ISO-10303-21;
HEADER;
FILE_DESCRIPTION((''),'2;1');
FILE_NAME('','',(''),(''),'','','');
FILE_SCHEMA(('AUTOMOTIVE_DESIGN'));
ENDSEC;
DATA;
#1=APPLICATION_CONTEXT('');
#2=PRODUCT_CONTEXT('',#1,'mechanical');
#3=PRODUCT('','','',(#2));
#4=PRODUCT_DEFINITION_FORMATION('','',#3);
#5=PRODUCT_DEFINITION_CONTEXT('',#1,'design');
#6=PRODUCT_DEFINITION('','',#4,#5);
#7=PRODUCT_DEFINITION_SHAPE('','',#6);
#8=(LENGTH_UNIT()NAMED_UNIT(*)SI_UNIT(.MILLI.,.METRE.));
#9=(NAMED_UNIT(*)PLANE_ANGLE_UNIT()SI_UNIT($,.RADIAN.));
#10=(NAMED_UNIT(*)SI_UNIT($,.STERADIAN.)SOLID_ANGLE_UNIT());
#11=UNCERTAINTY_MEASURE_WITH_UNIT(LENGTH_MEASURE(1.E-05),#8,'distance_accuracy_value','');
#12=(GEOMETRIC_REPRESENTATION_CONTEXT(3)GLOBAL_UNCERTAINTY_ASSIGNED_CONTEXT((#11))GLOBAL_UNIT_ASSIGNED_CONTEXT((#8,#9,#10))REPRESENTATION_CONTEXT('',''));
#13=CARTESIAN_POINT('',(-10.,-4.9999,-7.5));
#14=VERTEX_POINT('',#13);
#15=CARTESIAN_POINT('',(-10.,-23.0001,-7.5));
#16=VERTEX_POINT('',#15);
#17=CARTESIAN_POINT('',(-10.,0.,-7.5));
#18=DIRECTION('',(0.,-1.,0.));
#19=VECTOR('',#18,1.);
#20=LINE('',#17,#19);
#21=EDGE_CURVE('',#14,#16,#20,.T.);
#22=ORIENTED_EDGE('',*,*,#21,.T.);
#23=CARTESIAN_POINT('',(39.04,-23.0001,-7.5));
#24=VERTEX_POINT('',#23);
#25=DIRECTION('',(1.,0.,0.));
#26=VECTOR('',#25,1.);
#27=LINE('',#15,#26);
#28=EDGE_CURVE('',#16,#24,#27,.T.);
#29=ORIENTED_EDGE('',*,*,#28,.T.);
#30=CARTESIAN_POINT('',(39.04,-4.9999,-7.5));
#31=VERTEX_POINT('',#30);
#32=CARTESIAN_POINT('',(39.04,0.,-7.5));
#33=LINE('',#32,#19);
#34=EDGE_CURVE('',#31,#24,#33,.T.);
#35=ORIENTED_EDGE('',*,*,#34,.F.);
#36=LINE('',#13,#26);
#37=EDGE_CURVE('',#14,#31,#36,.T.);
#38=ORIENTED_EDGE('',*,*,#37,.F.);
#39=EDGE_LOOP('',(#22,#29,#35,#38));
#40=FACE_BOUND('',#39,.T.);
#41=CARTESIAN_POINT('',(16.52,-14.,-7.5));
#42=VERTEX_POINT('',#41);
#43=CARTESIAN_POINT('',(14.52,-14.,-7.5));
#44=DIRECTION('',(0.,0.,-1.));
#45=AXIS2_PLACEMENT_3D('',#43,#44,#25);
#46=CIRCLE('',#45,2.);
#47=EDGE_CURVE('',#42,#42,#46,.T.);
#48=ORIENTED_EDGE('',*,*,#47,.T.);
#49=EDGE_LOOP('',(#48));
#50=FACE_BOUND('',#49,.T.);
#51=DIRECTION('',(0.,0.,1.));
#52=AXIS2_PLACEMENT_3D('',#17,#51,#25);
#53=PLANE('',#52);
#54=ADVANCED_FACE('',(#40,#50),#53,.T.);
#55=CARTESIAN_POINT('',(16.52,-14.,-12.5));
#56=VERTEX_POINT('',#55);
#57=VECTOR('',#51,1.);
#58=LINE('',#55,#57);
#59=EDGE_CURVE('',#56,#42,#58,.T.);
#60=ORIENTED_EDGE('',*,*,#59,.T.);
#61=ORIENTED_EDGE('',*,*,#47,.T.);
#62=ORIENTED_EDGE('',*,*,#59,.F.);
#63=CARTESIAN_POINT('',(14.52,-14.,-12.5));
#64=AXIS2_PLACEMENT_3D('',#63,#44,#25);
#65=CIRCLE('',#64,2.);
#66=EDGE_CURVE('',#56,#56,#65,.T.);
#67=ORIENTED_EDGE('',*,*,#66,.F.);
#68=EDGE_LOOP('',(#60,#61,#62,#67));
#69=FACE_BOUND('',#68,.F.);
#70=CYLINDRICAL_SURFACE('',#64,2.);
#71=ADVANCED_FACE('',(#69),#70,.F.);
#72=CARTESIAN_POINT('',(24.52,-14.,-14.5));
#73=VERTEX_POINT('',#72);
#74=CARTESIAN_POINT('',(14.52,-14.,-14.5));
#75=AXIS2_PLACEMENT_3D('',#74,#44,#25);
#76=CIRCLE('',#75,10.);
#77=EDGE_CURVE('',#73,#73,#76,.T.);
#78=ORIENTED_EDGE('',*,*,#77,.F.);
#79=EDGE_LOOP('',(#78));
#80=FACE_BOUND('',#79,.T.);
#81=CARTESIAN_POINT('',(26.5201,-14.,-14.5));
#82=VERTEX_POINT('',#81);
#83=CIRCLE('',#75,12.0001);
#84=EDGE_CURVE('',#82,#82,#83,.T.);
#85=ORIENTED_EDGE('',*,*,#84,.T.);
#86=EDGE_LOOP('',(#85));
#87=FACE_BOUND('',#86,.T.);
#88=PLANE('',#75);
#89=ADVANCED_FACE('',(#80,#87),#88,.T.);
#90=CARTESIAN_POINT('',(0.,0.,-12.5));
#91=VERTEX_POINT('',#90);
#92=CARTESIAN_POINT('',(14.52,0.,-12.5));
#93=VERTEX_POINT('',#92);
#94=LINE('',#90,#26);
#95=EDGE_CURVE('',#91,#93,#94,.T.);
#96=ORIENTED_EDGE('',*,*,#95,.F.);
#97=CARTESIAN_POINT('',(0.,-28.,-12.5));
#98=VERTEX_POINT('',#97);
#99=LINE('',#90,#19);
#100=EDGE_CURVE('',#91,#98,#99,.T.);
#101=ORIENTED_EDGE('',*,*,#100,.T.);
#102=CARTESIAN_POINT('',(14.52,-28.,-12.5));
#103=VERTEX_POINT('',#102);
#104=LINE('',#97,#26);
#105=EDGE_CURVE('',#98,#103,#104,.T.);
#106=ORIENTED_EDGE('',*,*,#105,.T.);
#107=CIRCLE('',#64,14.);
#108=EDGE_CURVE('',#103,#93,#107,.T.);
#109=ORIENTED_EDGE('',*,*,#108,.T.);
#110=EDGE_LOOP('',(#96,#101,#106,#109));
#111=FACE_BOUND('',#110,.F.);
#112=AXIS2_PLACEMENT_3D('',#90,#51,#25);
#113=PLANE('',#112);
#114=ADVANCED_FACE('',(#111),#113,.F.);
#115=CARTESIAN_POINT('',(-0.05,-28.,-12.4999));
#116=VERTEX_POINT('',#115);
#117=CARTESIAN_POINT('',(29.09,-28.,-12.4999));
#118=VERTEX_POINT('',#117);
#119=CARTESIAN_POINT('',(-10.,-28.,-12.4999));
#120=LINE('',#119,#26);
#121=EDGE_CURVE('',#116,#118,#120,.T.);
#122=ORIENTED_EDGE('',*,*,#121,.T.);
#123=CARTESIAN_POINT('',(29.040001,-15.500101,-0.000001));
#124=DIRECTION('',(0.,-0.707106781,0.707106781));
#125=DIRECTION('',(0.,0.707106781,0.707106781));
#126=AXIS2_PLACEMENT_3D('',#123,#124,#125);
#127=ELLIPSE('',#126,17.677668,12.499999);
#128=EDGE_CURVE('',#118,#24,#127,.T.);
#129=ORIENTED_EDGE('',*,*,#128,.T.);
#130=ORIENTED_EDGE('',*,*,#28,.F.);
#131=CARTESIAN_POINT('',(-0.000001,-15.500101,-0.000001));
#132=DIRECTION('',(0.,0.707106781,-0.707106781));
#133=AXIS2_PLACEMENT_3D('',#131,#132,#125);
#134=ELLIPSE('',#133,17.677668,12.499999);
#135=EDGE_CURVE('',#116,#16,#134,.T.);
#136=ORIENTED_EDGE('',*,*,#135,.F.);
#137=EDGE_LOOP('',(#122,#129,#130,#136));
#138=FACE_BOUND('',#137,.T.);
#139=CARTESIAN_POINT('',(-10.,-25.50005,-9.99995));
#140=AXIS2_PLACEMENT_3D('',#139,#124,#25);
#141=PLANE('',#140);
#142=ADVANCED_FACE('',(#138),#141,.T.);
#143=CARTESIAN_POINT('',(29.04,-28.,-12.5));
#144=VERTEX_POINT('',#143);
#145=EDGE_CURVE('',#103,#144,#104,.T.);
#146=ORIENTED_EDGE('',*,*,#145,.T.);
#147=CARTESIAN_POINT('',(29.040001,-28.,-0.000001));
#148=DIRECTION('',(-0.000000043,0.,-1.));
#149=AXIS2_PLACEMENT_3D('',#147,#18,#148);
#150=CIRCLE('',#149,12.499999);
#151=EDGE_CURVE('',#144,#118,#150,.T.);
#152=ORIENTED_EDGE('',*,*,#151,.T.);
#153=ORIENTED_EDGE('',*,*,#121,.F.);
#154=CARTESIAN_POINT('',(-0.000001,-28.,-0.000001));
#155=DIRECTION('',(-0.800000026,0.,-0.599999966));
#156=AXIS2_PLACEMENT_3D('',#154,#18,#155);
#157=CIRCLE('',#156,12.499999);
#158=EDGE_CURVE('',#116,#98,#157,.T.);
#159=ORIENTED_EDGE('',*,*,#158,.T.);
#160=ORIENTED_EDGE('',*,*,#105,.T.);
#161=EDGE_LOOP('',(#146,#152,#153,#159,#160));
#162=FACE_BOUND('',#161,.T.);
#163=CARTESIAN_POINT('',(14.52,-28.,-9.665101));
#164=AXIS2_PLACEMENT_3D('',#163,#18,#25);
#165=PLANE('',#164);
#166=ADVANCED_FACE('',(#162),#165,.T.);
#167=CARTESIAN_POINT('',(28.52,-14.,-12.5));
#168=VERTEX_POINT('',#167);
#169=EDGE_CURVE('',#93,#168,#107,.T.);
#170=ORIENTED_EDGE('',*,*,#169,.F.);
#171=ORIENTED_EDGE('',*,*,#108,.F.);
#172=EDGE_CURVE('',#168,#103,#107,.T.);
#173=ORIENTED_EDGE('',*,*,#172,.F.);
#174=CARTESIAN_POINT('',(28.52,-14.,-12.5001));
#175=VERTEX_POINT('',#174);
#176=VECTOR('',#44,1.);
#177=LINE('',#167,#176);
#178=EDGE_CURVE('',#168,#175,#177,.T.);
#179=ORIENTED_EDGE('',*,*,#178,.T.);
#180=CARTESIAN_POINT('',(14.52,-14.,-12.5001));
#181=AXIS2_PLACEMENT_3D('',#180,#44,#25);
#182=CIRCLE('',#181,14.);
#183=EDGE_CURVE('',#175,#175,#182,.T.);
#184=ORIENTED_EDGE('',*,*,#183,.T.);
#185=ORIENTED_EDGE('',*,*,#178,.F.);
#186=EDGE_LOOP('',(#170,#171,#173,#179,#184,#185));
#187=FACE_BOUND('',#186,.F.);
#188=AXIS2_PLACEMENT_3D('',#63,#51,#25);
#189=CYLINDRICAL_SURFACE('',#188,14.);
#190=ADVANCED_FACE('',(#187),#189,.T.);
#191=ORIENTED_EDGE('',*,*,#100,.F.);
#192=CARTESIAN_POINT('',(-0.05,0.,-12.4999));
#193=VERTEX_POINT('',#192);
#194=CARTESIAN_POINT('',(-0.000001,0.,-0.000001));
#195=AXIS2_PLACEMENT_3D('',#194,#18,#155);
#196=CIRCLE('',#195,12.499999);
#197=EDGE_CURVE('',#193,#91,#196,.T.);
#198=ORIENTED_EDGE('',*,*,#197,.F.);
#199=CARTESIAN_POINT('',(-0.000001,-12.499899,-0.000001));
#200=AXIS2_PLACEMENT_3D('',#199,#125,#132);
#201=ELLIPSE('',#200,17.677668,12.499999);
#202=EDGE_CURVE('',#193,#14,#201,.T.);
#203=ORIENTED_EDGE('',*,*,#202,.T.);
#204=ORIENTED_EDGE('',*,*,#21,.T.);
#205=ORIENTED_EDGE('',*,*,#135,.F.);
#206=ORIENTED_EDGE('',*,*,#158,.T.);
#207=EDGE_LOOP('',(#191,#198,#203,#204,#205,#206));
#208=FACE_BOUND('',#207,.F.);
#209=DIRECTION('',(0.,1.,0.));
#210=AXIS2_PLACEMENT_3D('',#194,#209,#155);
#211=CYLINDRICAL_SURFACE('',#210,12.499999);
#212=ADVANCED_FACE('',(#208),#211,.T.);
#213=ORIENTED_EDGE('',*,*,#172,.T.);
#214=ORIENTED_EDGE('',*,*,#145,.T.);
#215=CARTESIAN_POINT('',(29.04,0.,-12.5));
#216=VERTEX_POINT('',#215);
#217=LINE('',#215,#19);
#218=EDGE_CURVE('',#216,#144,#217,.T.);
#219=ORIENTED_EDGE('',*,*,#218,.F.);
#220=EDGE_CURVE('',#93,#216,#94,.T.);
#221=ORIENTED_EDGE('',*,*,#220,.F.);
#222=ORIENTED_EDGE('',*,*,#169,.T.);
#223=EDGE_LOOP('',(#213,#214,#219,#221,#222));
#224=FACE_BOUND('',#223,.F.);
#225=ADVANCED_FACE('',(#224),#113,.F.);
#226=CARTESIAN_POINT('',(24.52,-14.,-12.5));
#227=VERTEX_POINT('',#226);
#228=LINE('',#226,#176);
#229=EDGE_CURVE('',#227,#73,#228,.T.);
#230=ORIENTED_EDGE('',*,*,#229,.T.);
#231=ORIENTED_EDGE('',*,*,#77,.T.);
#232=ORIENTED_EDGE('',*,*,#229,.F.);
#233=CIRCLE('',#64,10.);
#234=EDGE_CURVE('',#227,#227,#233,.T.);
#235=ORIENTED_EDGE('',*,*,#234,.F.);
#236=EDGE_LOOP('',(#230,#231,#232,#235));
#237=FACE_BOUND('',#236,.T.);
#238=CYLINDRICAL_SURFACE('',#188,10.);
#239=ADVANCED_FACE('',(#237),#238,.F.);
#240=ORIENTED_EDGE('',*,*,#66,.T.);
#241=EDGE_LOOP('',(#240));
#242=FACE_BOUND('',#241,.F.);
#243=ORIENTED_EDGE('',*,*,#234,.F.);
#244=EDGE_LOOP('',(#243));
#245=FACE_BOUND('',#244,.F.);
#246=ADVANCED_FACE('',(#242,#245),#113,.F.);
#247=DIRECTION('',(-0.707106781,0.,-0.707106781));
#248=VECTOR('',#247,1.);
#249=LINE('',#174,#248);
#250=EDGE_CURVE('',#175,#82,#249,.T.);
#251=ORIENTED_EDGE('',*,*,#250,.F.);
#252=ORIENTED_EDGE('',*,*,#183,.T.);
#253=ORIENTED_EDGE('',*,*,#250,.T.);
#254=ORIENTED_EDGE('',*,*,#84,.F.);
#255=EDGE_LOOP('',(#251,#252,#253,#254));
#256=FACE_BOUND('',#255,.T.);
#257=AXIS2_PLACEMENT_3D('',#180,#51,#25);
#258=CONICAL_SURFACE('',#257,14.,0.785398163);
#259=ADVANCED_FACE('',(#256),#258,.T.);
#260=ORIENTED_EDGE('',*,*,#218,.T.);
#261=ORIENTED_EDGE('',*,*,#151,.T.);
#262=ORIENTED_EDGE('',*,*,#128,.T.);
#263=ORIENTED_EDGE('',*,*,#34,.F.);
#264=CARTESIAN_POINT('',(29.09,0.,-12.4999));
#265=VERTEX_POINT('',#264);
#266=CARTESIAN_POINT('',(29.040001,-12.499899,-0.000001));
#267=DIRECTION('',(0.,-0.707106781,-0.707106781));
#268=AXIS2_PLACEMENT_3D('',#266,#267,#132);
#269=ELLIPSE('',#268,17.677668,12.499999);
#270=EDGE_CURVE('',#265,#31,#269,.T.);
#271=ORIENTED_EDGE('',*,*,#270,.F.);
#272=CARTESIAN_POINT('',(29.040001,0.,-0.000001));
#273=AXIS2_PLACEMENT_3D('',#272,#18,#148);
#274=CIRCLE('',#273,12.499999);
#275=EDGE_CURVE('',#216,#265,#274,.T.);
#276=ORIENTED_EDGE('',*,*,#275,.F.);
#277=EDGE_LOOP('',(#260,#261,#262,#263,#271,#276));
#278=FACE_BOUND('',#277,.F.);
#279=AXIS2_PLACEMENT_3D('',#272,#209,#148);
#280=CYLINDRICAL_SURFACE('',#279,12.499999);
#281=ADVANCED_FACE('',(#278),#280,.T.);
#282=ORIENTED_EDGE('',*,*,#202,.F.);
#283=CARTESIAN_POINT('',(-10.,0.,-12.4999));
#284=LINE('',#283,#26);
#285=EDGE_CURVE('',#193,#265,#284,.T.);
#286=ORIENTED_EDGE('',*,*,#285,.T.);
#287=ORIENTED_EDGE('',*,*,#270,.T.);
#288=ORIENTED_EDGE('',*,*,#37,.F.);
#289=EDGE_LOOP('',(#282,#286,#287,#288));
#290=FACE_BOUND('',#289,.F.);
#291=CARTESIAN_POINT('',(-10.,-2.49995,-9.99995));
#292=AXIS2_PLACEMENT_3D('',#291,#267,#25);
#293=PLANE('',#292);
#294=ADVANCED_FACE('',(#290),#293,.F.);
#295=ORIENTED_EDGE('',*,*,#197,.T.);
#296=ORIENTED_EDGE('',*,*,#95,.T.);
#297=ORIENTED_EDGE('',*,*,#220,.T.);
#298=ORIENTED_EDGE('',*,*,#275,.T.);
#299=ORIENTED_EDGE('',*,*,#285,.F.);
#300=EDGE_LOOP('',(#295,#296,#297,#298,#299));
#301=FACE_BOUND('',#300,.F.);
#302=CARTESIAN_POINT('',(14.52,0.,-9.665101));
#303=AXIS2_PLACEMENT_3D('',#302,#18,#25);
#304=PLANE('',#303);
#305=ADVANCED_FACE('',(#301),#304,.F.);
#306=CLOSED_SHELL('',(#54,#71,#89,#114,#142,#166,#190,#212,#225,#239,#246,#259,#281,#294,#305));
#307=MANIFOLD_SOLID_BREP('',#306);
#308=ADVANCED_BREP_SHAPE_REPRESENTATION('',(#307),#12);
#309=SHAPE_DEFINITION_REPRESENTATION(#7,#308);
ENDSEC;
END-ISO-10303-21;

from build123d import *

# Parameters (mm, degrees)
PAD_DEPTH       = 28
SKETCH001_R     = 14
SKETCH001_R_2   = 10
PAD001_DEPTH    = 2
CHAMFER_SIZE    = 1.9999
CHAMFER001_SIZE = 4.9999
SKETCH002_R     = 2
POCKET_DEPTH    = 10


with BuildPart() as part:
    # Sketch → Pad (new body)
    with BuildSketch(Plane.XZ):
        with BuildLine():
            ThreePointArc((-10, -7.5), (-5.59017, -11.18034), (0, -12.5))
            Line((0, -12.5), (29.04, -12.5))
            ThreePointArc((29.04, -12.5), (34.63017, -11.18034), (39.04, -7.5))
            Line((-10, -7.5), (39.04, -7.5))
        make_face()
    extrude(amount=PAD_DEPTH)

    # Sketch001 (on Face2 of Pad) → Pad001 (join)
    with BuildSketch(Plane(origin=(0, 0, -12.5), x_dir=(1, 0, 0), z_dir=(0, 0, -1))):
        with Locations((14.52, 14)):
            Circle(SKETCH001_R)
        with Locations((14.52, 14)):
            Circle(SKETCH001_R_2, mode=Mode.SUBTRACT)
    extrude(amount=PAD001_DEPTH)

    # Chamfer
    chamfer_edges = [part.edges().sort_by_distance(p)[0] for p in [
        (0.52, -14, -14.5),
    ]]
    chamfer(chamfer_edges, length=CHAMFER_SIZE)

    # Chamfer001
    chamfer001_edges = [part.edges().sort_by_distance(p)[0] for p in [
        (14.52, 0, -7.5),
        (14.52, -28, -7.5),
    ]]
    chamfer(chamfer001_edges, length=CHAMFER001_SIZE)

    # Sketch002 (on Face14 of Chamfer001) → Pocket (cut)
    with BuildSketch(Plane(origin=(0, 0, -12.5), x_dir=(1, 0, 0), z_dir=(0, 0, -1))):
        with Locations((14.52, 14)):
            Circle(SKETCH002_R)
    extrude(amount=-POCKET_DEPTH, mode=Mode.SUBTRACT)


solid = part.part
